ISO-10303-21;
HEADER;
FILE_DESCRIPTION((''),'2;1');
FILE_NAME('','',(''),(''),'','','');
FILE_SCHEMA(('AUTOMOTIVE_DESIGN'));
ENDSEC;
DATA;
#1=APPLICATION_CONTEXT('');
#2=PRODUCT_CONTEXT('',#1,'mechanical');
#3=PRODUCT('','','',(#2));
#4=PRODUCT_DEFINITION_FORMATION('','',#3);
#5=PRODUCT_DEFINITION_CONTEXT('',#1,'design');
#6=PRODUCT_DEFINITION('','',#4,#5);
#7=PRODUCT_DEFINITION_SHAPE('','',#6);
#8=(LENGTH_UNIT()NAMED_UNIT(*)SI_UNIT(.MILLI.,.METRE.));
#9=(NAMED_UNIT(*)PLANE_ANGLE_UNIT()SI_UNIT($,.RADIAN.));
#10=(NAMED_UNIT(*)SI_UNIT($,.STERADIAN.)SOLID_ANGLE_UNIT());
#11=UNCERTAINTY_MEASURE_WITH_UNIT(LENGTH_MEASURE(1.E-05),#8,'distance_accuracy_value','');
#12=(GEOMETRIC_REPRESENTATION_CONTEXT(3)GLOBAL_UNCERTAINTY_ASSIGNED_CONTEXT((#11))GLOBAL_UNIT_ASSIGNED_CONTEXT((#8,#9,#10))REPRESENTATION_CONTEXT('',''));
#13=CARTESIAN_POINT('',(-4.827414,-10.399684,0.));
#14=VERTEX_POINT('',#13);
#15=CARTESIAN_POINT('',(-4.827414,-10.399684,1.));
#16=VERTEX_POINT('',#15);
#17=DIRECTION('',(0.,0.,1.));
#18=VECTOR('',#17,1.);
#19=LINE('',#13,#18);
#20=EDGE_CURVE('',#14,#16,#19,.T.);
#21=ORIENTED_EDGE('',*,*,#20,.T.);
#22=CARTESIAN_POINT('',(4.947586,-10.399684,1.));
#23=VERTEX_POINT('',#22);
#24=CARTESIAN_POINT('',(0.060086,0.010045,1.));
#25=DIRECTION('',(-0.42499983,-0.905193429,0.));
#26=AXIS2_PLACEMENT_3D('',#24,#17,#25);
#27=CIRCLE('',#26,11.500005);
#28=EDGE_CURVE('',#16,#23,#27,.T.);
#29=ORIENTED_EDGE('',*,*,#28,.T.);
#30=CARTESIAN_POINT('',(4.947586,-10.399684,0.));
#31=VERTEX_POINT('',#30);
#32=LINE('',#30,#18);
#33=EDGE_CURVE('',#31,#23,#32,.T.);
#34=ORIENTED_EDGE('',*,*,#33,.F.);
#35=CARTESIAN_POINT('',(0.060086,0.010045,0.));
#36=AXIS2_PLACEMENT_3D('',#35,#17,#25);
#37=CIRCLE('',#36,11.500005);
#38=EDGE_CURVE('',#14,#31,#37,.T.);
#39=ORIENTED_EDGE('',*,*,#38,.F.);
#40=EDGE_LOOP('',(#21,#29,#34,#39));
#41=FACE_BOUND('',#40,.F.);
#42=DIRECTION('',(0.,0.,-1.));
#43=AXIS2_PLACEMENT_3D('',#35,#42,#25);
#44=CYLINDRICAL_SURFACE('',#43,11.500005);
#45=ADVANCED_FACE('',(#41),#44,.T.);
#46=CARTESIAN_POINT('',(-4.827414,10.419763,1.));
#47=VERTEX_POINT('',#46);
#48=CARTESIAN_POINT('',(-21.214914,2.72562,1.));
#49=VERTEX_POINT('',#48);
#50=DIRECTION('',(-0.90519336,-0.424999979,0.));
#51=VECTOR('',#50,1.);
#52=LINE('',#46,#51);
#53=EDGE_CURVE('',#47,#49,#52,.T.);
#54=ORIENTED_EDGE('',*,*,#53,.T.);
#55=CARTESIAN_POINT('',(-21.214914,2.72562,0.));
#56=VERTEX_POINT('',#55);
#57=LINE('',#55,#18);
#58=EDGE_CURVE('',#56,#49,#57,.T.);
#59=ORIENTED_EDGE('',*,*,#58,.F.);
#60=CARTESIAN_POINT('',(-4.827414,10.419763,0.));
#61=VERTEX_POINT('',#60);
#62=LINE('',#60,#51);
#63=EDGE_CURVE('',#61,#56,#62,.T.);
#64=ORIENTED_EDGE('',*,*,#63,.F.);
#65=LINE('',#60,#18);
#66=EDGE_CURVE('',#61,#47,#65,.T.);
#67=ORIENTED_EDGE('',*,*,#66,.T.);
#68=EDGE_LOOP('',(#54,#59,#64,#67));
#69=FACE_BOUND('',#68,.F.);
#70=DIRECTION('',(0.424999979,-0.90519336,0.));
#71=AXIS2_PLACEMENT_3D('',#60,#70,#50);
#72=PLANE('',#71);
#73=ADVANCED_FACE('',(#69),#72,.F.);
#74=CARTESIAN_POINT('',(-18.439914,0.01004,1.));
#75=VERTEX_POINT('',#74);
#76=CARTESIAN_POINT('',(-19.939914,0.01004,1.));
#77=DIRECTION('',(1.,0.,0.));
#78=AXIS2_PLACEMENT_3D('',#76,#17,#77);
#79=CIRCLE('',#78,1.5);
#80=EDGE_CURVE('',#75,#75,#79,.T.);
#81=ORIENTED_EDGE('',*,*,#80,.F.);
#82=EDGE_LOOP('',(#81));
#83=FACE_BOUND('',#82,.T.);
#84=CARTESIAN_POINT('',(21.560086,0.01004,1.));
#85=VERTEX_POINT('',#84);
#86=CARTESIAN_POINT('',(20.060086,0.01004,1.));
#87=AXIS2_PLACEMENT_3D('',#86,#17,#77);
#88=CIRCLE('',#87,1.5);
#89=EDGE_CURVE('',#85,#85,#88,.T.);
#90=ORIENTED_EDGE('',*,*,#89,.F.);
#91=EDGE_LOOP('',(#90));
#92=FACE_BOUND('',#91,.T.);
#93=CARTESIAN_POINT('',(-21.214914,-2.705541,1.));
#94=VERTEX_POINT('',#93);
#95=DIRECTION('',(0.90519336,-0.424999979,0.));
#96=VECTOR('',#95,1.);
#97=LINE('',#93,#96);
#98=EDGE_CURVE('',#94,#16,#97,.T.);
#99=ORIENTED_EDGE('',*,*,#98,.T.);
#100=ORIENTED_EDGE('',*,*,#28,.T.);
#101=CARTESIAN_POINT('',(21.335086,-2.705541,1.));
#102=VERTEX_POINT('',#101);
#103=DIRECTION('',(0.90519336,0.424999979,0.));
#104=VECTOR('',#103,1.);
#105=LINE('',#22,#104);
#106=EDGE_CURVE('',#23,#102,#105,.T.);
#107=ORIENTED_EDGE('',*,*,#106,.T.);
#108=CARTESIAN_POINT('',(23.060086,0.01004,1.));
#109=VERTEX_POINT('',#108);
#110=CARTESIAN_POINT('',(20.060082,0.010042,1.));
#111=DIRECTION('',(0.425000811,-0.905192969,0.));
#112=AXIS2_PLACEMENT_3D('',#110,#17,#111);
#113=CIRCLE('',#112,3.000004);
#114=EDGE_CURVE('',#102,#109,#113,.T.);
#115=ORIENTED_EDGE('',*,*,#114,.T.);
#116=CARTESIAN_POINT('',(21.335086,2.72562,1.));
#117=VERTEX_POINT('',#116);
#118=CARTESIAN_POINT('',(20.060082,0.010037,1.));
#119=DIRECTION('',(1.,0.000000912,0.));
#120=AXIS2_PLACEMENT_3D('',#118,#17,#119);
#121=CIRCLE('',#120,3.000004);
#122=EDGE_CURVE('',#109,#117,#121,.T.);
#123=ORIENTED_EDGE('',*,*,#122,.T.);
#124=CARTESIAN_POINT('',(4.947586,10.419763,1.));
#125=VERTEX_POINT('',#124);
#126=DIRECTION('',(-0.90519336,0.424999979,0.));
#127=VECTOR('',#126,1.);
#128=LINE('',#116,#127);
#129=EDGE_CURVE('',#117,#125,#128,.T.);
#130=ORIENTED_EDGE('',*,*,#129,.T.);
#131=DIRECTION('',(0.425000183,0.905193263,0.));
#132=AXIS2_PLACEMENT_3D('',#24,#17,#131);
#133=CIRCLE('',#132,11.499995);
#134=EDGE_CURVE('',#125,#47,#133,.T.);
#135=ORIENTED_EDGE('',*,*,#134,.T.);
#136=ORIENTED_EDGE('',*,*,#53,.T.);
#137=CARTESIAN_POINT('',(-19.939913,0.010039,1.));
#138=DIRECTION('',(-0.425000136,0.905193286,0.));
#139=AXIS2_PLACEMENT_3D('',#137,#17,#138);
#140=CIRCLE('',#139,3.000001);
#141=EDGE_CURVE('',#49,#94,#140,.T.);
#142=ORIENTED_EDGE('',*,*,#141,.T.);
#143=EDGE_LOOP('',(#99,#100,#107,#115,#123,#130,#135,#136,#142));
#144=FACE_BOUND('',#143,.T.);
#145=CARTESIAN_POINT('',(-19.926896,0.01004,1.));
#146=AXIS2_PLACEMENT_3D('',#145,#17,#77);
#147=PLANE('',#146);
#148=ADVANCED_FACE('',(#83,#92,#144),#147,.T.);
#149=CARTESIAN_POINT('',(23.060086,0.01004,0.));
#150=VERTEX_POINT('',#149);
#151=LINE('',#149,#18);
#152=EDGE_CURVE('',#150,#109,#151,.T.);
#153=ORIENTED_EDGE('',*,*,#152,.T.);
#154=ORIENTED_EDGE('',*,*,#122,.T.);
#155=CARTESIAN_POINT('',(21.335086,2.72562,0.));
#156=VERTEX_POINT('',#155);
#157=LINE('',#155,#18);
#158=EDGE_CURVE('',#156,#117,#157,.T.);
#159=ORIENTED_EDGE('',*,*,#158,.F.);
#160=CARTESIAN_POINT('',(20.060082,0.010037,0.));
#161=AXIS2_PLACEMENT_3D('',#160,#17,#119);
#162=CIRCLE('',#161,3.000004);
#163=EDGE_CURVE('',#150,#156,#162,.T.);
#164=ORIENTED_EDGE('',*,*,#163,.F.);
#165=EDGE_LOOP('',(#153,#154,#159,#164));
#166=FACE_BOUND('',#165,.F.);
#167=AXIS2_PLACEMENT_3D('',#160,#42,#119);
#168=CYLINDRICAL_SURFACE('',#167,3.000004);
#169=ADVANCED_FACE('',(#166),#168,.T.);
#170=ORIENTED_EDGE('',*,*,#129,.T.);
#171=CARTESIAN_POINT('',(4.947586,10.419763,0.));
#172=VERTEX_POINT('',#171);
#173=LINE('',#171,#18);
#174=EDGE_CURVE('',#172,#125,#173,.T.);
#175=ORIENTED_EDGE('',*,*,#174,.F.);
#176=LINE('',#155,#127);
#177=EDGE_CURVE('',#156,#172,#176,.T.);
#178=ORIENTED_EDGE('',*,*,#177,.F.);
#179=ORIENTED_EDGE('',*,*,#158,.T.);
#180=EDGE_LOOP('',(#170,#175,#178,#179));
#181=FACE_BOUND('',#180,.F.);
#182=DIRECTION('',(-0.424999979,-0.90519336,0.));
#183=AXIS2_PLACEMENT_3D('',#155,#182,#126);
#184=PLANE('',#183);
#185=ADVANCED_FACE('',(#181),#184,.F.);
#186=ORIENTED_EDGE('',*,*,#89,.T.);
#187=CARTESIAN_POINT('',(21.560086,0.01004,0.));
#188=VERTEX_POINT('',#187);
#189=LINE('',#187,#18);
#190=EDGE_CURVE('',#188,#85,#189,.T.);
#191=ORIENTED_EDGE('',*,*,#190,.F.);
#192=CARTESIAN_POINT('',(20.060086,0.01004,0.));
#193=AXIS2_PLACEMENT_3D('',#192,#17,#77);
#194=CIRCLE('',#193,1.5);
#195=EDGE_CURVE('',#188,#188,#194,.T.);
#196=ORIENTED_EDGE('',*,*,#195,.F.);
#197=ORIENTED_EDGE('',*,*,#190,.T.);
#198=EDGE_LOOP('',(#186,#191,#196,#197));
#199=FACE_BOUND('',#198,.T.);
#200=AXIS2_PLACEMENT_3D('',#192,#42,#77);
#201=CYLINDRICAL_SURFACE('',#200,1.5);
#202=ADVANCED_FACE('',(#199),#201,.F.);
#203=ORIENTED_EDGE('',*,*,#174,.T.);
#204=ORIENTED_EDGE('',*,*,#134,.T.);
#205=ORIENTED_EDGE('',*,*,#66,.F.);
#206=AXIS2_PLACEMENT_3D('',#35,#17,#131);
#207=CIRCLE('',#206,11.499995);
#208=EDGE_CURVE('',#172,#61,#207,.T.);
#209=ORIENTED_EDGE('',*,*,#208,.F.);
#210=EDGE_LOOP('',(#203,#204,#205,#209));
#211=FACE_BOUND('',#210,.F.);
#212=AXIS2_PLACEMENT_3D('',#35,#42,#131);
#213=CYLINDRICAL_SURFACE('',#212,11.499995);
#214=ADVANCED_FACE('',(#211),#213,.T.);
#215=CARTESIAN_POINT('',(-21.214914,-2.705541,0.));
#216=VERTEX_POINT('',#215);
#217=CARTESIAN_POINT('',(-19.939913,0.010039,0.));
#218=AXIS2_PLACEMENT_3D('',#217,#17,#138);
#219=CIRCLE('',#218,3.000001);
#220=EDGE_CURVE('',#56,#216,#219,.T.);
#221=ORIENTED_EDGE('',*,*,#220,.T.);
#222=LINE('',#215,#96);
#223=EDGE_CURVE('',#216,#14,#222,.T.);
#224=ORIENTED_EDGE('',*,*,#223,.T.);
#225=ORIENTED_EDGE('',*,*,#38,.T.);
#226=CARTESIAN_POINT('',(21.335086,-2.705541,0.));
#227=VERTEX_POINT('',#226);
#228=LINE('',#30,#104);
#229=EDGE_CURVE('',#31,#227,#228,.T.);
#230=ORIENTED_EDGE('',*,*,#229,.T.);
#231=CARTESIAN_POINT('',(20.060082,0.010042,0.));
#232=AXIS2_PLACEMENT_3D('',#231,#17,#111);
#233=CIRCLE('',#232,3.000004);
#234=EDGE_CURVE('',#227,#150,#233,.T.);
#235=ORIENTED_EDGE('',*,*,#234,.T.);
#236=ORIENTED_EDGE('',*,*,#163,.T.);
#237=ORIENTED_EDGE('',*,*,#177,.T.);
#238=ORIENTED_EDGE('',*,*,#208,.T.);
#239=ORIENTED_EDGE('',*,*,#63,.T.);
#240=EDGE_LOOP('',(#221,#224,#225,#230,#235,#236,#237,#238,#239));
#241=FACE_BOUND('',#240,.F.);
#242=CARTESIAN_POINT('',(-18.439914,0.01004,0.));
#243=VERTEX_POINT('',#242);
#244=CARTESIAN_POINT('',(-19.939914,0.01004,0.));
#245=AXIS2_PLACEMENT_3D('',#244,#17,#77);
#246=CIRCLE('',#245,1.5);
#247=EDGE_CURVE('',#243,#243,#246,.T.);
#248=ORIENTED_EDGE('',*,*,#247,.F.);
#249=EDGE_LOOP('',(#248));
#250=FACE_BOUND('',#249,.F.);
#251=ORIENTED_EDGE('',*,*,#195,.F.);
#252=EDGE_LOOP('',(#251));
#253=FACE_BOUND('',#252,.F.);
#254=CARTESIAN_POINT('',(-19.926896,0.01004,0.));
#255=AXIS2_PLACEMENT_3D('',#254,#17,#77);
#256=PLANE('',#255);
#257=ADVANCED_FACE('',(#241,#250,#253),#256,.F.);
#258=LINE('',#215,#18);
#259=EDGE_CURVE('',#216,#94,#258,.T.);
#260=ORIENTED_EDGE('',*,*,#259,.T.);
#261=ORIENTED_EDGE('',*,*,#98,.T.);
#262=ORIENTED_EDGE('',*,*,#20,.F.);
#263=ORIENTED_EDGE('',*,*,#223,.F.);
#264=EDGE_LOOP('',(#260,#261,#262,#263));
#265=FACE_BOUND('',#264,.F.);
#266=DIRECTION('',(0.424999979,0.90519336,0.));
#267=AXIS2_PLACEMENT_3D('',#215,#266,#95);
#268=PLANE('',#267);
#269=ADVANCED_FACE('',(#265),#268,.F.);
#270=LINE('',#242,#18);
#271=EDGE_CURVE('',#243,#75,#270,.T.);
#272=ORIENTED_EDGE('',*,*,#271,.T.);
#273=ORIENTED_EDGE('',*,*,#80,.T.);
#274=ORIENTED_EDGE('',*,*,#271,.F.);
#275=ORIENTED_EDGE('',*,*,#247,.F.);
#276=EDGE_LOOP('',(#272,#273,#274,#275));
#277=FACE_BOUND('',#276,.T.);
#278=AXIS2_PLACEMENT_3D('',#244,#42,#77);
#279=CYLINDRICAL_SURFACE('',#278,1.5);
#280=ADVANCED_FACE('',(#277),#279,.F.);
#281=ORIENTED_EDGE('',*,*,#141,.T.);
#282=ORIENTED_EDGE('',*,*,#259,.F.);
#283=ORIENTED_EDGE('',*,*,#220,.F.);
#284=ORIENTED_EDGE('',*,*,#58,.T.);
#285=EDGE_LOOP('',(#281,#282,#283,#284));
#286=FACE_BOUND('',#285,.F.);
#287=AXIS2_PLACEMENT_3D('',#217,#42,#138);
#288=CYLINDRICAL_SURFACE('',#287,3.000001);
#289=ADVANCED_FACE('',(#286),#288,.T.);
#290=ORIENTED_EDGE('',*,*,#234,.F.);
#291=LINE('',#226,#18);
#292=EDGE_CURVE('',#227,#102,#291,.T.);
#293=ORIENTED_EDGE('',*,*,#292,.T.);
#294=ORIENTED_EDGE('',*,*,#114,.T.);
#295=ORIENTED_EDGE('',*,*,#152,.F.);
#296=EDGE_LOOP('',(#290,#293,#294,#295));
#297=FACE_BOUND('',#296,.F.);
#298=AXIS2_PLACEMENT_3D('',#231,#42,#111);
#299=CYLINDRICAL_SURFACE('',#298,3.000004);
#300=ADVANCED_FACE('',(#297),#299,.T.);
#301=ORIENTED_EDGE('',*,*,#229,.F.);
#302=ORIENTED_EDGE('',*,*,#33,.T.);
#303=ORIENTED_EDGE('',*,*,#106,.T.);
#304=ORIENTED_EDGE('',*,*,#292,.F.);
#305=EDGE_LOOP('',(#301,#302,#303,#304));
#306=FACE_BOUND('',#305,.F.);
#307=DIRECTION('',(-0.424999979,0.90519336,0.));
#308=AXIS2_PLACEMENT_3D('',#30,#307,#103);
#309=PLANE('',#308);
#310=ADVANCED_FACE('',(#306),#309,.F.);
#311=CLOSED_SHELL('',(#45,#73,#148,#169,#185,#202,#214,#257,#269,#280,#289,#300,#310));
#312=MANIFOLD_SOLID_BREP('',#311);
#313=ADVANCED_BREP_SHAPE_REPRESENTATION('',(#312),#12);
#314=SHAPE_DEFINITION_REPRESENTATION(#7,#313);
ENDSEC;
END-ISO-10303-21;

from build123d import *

# Parameters (mm, degrees)
F0_R     = 1.5
F0_R_2   = 8.5
F1_DEPTH = 1


with BuildPart() as f1:
    # F0 (on Top) → F1 (new body)
    with BuildSketch(Plane.XY):
        with BuildLine():
            ThreePointArc((-16.939914, 0.01004), (-18.331343, 2.542331), (-21.214914, 2.72562))
            ThreePointArc((-21.214914, 2.72562), (-22.939914, 0.01004), (-21.214914, -2.705541))
            ThreePointArc((-21.214914, -2.705541), (-18.331343, -2.522252), (-16.939914, 0.01004))
        make_face()
        with Locations((-19.939914, 0.01004)):
            Circle(F0_R, mode=Mode.SUBTRACT)
        with BuildLine():
            ThreePointArc((-4.827414, -10.399684), (-11.439914, 0.01004), (-4.827414, 10.419763))
            Line((-4.827414, 10.419763), (-21.214914, 2.72562))
            ThreePointArc((-21.214914, 2.72562), (-18.331343, 2.542331), (-16.939914, 0.01004))
            ThreePointArc((-16.939914, 0.01004), (-18.331343, -2.522252), (-21.214914, -2.705541))
            Line((-21.214914, -2.705541), (-4.827414, -10.399684))
        make_face()
        with BuildLine():
            ThreePointArc((4.947586, -10.399684), (9.767203, -6.156149), (11.560086, 0.01004))
            ThreePointArc((11.560086, 0.01004), (9.767203, 6.176228), (4.947586, 10.419763))
            ThreePointArc((4.947586, 10.419763), (0.060086, 11.51004), (-4.827414, 10.419763))
            ThreePointArc((-4.827414, 10.419763), (-11.439914, 0.01004), (-4.827414, -10.399684))
            ThreePointArc((-4.827414, -10.399684), (0.060086, -11.48996), (4.947586, -10.399684))
        make_face()
        with Locations((0.060086, 0.01004)):
            Circle(F0_R_2, mode=Mode.SUBTRACT)
        with Locations((0.060086, 0.01004)):
            Circle(F0_R_2)
        with BuildLine():
            ThreePointArc((4.947586, 10.419763), (9.767203, 6.176228), (11.560086, 0.01004))
            ThreePointArc((11.560086, 0.01004), (9.767203, -6.156149), (4.947586, -10.399684))
            Line((4.947586, -10.399684), (21.335086, -2.705541))
            ThreePointArc((21.335086, -2.705541), (17.060086, 0.01004), (21.335086, 2.72562))
            Line((21.335086, 2.72562), (4.947586, 10.419763))
        make_face()
        with BuildLine():
            ThreePointArc((23.060086, 0.01004), (22.592377, 1.61861), (21.335086, 2.72562))
            ThreePointArc((21.335086, 2.72562), (17.060086, 0.01004), (21.335086, -2.705541))
            ThreePointArc((21.335086, -2.705541), (22.592377, -1.598531), (23.060086, 0.01004))
        make_face()
        with Locations((20.060086, 0.01004)):
            Circle(F0_R, mode=Mode.SUBTRACT)
    extrude(amount=F1_DEPTH)


solid = f1.part
